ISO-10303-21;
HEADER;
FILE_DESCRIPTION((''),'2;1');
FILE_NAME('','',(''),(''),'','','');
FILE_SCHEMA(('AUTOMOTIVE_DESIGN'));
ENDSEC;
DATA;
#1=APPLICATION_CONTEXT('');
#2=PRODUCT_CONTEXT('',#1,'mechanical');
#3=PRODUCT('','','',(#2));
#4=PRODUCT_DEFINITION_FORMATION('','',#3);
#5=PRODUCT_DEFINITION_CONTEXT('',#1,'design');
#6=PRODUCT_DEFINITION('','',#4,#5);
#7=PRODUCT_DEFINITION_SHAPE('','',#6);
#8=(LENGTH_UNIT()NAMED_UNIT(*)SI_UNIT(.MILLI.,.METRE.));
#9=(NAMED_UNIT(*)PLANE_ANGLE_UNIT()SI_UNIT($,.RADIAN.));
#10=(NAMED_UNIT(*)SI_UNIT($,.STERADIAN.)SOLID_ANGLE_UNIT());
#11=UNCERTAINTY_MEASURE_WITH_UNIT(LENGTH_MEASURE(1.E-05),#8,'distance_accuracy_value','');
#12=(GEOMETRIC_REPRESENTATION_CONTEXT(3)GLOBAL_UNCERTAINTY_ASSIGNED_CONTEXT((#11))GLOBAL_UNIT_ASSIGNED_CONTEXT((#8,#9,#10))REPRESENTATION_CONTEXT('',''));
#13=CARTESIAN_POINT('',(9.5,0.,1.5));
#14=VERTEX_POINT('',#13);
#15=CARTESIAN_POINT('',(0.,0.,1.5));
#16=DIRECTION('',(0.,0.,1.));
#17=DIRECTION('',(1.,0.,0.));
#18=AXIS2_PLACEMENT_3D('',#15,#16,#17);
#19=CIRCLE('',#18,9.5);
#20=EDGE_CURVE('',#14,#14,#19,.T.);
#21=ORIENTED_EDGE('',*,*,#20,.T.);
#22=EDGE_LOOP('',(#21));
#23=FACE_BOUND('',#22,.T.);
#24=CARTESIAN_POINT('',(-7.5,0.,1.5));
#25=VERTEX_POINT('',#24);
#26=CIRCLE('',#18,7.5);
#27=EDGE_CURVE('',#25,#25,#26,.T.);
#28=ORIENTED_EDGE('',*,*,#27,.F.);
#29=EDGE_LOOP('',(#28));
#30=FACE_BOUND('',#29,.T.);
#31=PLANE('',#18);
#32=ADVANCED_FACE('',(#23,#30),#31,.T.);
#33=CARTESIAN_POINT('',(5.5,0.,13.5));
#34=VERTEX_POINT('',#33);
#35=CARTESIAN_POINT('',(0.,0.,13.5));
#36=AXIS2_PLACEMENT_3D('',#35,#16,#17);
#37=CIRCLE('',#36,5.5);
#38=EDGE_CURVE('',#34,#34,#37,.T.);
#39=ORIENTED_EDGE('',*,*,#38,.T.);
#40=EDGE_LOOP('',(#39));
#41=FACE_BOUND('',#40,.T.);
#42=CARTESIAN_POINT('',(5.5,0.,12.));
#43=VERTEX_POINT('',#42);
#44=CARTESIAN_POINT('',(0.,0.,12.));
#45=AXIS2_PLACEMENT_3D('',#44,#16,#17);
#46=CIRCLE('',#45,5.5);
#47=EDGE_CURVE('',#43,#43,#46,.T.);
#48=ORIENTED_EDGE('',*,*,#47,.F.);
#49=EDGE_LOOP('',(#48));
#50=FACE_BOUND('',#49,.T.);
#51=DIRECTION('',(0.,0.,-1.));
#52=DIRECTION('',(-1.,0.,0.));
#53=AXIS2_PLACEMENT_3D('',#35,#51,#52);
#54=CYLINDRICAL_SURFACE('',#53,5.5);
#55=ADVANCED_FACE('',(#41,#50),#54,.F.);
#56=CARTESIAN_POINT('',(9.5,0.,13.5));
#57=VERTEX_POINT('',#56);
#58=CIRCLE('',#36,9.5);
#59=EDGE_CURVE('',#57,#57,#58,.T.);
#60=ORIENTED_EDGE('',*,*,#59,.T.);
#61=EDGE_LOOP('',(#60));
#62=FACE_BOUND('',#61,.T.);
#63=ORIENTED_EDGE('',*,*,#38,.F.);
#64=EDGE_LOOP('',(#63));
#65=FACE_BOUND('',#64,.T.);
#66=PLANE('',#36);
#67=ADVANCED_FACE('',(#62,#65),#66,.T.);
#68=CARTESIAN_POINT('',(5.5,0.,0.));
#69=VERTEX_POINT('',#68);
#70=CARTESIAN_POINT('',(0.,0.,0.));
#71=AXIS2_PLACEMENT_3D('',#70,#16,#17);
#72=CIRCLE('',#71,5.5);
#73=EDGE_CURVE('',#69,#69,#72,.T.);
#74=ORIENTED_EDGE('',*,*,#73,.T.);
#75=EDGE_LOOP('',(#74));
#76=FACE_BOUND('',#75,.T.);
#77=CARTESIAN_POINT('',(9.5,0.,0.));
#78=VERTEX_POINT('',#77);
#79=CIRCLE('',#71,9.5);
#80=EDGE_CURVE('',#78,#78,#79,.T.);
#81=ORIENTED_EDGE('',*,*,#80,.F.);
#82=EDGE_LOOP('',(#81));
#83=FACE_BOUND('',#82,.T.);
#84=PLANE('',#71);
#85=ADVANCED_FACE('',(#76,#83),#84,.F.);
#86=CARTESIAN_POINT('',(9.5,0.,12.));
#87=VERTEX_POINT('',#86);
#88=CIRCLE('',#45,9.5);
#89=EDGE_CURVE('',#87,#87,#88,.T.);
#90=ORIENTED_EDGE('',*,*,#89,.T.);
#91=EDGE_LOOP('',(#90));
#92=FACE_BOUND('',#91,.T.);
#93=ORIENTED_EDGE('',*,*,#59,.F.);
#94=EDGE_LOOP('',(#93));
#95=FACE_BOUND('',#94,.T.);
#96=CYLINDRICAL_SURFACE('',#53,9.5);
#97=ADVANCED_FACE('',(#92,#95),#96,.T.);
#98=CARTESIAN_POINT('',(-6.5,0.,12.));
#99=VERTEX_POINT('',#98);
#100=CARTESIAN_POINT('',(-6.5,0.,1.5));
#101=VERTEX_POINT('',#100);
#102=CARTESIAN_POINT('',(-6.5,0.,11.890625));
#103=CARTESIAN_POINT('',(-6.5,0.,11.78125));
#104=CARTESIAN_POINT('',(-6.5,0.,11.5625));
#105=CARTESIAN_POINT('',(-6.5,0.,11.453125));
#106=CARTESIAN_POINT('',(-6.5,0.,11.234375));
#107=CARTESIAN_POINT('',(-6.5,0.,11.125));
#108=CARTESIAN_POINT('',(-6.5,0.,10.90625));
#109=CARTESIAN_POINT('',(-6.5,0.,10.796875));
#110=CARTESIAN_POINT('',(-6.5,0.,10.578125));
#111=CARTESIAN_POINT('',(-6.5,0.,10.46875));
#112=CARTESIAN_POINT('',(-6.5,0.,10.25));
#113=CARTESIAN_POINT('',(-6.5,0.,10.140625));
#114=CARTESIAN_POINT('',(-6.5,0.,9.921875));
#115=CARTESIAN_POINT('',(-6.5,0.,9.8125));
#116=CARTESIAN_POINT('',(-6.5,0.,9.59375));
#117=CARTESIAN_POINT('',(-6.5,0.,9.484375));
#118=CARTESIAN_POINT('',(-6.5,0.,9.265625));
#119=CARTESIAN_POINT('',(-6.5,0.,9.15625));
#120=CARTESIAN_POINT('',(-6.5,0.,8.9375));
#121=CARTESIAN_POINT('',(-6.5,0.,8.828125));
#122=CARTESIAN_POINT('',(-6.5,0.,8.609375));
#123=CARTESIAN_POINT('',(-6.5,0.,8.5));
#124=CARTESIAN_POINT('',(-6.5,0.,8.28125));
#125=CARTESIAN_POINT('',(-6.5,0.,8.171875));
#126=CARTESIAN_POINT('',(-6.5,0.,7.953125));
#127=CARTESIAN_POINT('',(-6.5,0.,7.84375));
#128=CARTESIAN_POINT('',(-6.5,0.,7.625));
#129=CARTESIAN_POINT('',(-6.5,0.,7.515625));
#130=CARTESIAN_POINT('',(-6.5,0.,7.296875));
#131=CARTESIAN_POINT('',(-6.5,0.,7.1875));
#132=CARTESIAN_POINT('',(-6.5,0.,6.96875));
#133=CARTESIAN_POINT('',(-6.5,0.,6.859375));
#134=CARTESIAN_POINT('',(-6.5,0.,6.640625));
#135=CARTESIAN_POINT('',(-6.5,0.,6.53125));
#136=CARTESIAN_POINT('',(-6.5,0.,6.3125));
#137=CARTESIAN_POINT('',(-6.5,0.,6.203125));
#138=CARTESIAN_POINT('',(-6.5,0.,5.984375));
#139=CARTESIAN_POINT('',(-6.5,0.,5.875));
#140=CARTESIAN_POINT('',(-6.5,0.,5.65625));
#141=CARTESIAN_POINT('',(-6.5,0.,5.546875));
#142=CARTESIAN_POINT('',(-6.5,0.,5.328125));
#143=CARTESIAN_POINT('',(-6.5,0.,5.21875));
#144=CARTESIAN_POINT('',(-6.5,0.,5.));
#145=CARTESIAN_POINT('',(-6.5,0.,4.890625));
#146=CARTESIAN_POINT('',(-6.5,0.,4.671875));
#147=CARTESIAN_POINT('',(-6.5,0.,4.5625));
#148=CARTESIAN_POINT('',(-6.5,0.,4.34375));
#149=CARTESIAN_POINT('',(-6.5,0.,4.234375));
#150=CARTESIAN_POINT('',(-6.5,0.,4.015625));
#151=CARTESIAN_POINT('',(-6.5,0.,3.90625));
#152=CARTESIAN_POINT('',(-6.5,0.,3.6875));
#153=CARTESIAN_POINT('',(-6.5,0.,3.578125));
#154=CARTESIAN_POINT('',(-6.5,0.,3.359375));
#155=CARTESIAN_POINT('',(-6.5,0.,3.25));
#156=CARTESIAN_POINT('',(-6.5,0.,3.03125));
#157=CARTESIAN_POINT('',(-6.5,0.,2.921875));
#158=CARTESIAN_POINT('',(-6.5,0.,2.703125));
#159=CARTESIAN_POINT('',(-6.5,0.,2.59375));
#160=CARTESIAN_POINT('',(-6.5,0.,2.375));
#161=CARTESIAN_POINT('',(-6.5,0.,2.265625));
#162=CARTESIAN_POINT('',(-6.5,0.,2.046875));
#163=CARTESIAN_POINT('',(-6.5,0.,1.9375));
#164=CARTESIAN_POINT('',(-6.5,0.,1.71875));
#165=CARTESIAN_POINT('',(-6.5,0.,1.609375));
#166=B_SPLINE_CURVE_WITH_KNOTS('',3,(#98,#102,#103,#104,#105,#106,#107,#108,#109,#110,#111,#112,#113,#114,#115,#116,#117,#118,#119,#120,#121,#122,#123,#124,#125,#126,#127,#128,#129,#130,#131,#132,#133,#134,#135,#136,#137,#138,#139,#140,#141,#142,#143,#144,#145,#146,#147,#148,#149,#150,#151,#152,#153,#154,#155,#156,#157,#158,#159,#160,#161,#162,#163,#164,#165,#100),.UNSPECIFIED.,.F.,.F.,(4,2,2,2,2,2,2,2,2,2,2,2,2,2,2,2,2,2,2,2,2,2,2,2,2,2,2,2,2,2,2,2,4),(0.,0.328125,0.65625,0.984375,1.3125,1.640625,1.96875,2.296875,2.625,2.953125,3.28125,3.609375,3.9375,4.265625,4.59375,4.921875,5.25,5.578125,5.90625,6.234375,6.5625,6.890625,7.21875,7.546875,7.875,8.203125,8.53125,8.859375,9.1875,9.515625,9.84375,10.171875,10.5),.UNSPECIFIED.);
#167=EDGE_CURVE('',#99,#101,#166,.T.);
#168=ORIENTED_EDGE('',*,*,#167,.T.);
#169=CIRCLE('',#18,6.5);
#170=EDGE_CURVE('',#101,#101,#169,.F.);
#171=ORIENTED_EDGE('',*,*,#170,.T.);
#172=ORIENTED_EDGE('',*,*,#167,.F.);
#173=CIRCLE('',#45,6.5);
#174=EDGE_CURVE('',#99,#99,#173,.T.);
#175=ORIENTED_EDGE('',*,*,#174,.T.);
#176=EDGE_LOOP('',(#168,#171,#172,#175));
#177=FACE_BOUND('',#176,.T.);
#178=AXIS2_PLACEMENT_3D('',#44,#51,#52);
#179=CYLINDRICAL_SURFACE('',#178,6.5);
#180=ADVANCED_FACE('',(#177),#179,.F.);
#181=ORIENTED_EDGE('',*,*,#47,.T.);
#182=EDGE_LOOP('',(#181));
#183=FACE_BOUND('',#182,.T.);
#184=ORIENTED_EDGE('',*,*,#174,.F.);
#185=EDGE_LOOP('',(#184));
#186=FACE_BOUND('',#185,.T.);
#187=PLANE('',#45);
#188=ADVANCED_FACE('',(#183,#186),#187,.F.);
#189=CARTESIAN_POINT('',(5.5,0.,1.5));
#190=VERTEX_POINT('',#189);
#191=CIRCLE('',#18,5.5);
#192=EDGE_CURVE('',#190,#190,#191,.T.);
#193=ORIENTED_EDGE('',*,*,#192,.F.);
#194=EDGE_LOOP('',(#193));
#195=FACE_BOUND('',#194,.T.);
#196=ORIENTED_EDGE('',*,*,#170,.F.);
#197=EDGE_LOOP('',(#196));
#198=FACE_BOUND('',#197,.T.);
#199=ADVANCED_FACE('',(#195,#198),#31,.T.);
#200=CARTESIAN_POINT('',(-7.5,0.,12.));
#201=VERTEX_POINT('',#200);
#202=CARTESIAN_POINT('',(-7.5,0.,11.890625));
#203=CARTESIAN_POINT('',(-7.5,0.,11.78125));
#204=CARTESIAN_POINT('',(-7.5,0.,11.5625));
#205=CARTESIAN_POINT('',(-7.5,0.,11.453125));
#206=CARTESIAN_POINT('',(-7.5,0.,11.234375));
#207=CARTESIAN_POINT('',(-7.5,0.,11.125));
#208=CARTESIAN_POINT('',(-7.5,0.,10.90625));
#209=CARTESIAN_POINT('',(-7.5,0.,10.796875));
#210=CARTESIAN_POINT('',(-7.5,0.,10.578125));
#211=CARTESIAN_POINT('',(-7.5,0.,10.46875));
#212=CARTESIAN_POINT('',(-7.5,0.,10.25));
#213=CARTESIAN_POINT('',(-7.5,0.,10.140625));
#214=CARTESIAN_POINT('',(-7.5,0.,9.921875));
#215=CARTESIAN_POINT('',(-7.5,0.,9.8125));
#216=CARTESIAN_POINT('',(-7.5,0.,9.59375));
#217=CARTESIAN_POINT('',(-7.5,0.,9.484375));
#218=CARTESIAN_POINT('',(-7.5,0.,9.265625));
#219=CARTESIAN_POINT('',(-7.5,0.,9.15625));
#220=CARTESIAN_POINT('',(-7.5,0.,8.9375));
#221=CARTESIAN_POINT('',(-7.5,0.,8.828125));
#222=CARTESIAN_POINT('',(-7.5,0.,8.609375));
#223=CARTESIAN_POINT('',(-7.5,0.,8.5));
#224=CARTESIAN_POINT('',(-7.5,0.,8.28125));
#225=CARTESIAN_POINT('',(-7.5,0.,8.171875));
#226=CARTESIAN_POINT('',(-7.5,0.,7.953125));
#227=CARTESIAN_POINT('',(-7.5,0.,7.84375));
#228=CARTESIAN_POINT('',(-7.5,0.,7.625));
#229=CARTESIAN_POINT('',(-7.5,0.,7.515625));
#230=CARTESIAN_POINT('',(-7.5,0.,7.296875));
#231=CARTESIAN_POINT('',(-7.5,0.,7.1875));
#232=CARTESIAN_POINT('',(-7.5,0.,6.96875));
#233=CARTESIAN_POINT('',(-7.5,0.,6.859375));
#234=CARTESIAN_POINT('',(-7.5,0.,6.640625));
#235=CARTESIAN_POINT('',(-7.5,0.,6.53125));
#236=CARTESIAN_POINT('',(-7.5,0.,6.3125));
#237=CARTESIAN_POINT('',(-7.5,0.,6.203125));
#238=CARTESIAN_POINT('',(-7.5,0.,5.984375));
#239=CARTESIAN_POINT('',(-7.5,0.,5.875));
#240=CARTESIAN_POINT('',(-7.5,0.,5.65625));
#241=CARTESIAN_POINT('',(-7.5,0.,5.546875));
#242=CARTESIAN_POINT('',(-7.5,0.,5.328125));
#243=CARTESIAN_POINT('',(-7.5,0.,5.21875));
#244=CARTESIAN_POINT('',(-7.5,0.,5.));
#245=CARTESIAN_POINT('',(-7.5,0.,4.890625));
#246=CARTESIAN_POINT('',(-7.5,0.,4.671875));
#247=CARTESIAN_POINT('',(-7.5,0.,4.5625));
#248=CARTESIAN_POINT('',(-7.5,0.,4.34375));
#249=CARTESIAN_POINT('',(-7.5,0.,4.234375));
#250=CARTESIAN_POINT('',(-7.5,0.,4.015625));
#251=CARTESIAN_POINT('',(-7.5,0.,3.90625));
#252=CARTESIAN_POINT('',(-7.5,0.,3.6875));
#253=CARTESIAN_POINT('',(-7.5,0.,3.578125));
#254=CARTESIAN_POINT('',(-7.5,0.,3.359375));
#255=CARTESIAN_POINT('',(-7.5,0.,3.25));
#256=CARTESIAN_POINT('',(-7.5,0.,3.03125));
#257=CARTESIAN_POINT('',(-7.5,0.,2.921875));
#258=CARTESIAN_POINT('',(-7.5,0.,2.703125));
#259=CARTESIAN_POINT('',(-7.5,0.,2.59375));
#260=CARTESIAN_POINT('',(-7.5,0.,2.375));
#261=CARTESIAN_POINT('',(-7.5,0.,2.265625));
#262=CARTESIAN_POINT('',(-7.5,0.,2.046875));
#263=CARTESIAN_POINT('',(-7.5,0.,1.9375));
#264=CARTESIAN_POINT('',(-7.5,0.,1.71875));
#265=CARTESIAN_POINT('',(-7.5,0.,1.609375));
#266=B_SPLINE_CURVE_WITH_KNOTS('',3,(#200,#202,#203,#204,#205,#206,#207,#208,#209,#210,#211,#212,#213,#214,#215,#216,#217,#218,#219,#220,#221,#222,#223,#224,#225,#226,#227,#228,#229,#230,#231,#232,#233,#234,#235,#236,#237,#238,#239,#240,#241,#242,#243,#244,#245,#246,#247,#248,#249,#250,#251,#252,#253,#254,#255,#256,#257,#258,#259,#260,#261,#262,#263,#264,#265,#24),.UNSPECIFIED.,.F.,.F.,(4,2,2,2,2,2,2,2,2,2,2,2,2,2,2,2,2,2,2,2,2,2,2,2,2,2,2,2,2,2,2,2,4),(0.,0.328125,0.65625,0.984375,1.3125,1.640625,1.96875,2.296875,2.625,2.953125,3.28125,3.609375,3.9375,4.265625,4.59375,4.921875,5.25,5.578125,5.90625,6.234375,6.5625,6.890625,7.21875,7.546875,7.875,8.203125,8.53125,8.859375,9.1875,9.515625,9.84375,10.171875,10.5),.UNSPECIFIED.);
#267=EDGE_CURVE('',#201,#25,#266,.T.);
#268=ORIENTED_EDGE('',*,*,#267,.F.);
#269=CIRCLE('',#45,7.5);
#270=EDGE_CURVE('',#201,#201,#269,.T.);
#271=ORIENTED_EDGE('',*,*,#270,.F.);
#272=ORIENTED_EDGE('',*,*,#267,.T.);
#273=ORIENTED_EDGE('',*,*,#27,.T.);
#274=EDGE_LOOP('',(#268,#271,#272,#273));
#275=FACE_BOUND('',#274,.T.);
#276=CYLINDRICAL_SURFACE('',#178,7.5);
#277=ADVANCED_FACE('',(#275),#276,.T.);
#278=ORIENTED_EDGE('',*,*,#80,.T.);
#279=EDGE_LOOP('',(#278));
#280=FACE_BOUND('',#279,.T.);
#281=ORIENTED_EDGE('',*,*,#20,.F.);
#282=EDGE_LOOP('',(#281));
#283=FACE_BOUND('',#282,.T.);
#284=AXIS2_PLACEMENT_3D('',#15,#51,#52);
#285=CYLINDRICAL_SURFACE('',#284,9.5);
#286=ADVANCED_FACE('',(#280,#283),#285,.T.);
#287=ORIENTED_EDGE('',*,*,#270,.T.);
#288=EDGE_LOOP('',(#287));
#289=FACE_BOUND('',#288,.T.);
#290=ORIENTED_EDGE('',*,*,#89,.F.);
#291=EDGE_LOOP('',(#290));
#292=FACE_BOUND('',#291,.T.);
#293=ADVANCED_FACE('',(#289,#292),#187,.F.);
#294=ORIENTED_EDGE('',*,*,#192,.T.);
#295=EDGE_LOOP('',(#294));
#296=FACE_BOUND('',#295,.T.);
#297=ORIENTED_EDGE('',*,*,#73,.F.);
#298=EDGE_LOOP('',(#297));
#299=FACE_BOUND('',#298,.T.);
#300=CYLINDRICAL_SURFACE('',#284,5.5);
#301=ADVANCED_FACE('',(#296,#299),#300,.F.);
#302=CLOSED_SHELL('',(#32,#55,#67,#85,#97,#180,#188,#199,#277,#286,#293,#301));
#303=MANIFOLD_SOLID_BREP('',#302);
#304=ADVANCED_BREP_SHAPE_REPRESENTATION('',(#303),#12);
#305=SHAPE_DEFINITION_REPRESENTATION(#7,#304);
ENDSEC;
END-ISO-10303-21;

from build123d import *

# Parameters (mm, degrees)
ESQUISSE1_R        = 9.5
ESQUISSE1_R_2      = 6.45
ESQUISSE1_R_3      = 5.5
BOSS_EXTRU_1_DEPTH = 1.5
ESQUISSE1_3_R      = 6.45
ESQUISSE1_3_R_2    = 5.5
BOSS_EXTRU_4_DEPTH = 1.5
ESQUISSE6_R        = 7.5
ESQUISSE6_R_2      = 6.5
BOSS_EXTRU_5_DEPTH = 10.5
ESQUISSE7_R        = 9.5
ESQUISSE7_R_2      = 7.5
ESQUISSE7_R_3      = 6.5
ESQUISSE7_R_4      = 5.5
BOSS_EXTRU_6_DEPTH = 1.5


with BuildPart() as part:
    # Esquisse1 → Boss.-Extru.1 (new body)
    # profile 1 of 2: a face of its own
    with BuildSketch(Plane.XY):
        Circle(ESQUISSE1_R)
        Circle(ESQUISSE1_R_2, mode=Mode.SUBTRACT)
    # profile 2 of 2: a face of its own
    with BuildSketch(Plane.XY):
        Circle(ESQUISSE1_R_2)
        Circle(ESQUISSE1_R_3, mode=Mode.SUBTRACT)
    extrude(amount=BOSS_EXTRU_1_DEPTH)

    # Esquisse1<3> → Boss.-Extru.4 (add)
    with BuildSketch(Plane.XY):
        Circle(ESQUISSE1_3_R)
        Circle(ESQUISSE1_3_R_2, mode=Mode.SUBTRACT)
    extrude(amount=BOSS_EXTRU_4_DEPTH)

    # Esquisse6 → Boss.-Extru.5 (add)
    with BuildSketch(Plane.XY.offset(1.5)):
        with Locations(Location((0, 0, 0), (0, 0, 180))):
            Circle(ESQUISSE6_R)
        with Locations(Location((0, 0, 0), (0, 0, 180))):
            Circle(ESQUISSE6_R_2, mode=Mode.SUBTRACT)
    extrude(amount=BOSS_EXTRU_5_DEPTH)

    # Esquisse7 → Boss.-Extru.6 (add)
    # profile 1 of 3: a face of its own
    with BuildSketch(Plane.XY.offset(12)):
        Circle(ESQUISSE7_R)
        with Locations(Location((0, 0, 0), (0, 0, 180))):
            Circle(ESQUISSE7_R_2, mode=Mode.SUBTRACT)
    # profile 2 of 3: a face of its own
    with BuildSketch(Plane.XY.offset(12)):
        with Locations(Location((0, 0, 0), (0, 0, 180))):
            Circle(ESQUISSE7_R_2)
        with Locations(Location((0, 0, 0), (0, 0, 180))):
            Circle(ESQUISSE7_R_3, mode=Mode.SUBTRACT)
    # profile 3 of 3: a face of its own
    with BuildSketch(Plane.XY.offset(12)):
        with Locations(Location((0, 0, 0), (0, 0, 180))):
            Circle(ESQUISSE7_R_3)
        Circle(ESQUISSE7_R_4, mode=Mode.SUBTRACT)
    extrude(amount=BOSS_EXTRU_6_DEPTH)


solid = part.part
